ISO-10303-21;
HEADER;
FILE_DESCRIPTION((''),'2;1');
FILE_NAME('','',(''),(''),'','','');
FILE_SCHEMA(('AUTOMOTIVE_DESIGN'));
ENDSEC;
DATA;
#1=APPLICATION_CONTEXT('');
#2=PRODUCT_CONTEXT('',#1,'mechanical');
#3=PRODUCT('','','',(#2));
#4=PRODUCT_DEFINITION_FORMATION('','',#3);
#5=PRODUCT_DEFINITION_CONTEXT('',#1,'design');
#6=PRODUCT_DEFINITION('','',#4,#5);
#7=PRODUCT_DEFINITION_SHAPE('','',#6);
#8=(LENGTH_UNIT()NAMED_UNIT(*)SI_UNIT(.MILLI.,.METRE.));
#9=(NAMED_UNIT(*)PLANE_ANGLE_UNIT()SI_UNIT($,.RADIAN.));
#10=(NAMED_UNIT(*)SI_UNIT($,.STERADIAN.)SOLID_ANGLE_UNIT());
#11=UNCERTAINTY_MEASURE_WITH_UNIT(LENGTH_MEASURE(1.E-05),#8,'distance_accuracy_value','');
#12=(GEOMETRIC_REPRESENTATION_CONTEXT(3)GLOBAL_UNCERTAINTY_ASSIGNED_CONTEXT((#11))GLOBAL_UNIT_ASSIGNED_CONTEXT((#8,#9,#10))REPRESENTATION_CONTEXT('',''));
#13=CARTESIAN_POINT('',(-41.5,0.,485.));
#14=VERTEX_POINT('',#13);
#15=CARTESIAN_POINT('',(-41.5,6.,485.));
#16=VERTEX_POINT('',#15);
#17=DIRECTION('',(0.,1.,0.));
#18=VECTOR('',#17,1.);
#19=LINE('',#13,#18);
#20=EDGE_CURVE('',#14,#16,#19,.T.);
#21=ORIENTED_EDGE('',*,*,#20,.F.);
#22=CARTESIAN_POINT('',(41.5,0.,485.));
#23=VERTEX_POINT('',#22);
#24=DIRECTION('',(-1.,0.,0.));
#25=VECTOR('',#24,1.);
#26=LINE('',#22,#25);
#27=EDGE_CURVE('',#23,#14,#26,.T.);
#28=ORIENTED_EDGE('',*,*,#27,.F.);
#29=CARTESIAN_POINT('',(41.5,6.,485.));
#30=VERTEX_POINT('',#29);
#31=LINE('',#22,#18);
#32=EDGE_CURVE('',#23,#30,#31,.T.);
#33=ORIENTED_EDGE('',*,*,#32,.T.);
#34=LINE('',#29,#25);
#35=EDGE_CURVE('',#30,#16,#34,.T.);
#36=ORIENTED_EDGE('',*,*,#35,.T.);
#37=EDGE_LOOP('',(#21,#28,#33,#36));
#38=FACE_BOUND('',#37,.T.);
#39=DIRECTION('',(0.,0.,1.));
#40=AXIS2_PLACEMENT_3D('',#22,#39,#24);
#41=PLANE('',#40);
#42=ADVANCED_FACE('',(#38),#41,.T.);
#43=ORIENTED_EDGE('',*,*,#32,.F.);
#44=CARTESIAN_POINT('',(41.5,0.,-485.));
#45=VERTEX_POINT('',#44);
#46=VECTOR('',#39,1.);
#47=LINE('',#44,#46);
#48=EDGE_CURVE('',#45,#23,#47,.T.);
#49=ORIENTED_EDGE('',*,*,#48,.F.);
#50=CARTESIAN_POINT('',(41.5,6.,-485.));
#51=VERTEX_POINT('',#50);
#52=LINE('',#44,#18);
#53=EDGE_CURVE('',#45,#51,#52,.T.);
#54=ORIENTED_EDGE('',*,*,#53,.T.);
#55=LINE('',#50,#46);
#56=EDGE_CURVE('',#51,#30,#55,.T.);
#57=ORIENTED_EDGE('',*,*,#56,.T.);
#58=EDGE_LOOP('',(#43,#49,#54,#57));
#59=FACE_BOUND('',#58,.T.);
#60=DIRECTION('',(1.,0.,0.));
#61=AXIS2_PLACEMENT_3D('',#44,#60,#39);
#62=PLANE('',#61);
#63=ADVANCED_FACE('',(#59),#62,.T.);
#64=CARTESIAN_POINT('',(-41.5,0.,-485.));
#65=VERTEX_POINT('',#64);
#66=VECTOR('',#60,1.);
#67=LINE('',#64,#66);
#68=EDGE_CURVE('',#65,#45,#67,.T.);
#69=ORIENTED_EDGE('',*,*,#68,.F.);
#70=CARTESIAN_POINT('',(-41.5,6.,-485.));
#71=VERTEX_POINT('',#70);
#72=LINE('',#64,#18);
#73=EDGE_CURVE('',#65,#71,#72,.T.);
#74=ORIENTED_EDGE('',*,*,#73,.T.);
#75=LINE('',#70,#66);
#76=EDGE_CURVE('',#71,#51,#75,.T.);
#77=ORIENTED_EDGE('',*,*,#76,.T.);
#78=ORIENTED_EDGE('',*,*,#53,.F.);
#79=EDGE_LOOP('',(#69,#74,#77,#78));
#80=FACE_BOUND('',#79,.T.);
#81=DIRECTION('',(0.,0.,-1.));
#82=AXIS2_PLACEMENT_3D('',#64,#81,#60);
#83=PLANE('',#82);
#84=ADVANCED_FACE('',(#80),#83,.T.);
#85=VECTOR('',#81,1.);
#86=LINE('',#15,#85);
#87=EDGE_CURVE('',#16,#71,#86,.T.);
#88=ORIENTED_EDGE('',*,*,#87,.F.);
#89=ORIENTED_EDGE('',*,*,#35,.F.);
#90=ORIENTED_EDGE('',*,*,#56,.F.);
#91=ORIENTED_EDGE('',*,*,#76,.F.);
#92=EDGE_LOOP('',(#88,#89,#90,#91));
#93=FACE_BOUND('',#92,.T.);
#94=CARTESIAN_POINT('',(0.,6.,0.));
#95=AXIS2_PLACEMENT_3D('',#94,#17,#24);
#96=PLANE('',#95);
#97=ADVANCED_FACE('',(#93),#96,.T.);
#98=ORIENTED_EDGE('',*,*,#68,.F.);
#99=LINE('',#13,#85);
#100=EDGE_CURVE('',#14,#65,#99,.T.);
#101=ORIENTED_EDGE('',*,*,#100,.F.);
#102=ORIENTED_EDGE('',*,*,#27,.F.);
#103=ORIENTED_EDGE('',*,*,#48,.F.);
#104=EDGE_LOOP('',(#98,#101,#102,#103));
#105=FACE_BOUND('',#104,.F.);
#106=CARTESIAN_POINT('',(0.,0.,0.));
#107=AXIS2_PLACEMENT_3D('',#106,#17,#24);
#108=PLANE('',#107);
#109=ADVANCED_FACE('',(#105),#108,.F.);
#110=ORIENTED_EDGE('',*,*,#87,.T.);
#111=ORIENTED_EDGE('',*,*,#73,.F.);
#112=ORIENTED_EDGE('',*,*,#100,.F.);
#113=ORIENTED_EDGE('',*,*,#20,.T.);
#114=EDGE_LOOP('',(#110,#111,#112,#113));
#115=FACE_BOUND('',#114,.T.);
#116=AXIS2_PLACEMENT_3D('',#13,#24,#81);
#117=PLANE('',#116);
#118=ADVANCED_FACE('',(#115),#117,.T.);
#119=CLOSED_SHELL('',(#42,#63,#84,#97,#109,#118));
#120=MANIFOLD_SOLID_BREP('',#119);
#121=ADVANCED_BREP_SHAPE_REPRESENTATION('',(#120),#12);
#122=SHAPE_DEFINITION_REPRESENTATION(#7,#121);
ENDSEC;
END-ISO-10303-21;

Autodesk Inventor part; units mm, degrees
ref_plane "YZ Plane" through (0, 0, 0) normal (1, 0, 0) x (0, 1, 0)
ref_plane "XZ Plane" through (0, 0, 0) normal (0, 1, 0) x (-1, 0, 0)
ref_plane "XY Plane" through (0, 0, 0) normal (0, 0, 1) x (1, 0, 0)
sketch "Sketch1" plane through (0, 0, 0) normal (0, 1, 0) x (-1, 0, 0)
  line L0 (-41.5, 485) -> (41.5, 485)
  line L1 (41.5, 485) -> (41.5, -485)
  line L2 (41.5, -485) -> (-41.5, -485)
  line L3 (-41.5, -485) -> (-41.5, 485)
  line L4 (-41.5, 485) -> (41.5, -485) construction
  line L5 (41.5, 485) -> (-41.5, -485) construction
  point P0 (0, 0)
  dimension "d0" = 83
  dimension "d1" = 970
extrude "Extrusion1" add sketch "Sketch1" along normal blind 6
properties part number "Binnenkant" material "Wood (Cherry)"
